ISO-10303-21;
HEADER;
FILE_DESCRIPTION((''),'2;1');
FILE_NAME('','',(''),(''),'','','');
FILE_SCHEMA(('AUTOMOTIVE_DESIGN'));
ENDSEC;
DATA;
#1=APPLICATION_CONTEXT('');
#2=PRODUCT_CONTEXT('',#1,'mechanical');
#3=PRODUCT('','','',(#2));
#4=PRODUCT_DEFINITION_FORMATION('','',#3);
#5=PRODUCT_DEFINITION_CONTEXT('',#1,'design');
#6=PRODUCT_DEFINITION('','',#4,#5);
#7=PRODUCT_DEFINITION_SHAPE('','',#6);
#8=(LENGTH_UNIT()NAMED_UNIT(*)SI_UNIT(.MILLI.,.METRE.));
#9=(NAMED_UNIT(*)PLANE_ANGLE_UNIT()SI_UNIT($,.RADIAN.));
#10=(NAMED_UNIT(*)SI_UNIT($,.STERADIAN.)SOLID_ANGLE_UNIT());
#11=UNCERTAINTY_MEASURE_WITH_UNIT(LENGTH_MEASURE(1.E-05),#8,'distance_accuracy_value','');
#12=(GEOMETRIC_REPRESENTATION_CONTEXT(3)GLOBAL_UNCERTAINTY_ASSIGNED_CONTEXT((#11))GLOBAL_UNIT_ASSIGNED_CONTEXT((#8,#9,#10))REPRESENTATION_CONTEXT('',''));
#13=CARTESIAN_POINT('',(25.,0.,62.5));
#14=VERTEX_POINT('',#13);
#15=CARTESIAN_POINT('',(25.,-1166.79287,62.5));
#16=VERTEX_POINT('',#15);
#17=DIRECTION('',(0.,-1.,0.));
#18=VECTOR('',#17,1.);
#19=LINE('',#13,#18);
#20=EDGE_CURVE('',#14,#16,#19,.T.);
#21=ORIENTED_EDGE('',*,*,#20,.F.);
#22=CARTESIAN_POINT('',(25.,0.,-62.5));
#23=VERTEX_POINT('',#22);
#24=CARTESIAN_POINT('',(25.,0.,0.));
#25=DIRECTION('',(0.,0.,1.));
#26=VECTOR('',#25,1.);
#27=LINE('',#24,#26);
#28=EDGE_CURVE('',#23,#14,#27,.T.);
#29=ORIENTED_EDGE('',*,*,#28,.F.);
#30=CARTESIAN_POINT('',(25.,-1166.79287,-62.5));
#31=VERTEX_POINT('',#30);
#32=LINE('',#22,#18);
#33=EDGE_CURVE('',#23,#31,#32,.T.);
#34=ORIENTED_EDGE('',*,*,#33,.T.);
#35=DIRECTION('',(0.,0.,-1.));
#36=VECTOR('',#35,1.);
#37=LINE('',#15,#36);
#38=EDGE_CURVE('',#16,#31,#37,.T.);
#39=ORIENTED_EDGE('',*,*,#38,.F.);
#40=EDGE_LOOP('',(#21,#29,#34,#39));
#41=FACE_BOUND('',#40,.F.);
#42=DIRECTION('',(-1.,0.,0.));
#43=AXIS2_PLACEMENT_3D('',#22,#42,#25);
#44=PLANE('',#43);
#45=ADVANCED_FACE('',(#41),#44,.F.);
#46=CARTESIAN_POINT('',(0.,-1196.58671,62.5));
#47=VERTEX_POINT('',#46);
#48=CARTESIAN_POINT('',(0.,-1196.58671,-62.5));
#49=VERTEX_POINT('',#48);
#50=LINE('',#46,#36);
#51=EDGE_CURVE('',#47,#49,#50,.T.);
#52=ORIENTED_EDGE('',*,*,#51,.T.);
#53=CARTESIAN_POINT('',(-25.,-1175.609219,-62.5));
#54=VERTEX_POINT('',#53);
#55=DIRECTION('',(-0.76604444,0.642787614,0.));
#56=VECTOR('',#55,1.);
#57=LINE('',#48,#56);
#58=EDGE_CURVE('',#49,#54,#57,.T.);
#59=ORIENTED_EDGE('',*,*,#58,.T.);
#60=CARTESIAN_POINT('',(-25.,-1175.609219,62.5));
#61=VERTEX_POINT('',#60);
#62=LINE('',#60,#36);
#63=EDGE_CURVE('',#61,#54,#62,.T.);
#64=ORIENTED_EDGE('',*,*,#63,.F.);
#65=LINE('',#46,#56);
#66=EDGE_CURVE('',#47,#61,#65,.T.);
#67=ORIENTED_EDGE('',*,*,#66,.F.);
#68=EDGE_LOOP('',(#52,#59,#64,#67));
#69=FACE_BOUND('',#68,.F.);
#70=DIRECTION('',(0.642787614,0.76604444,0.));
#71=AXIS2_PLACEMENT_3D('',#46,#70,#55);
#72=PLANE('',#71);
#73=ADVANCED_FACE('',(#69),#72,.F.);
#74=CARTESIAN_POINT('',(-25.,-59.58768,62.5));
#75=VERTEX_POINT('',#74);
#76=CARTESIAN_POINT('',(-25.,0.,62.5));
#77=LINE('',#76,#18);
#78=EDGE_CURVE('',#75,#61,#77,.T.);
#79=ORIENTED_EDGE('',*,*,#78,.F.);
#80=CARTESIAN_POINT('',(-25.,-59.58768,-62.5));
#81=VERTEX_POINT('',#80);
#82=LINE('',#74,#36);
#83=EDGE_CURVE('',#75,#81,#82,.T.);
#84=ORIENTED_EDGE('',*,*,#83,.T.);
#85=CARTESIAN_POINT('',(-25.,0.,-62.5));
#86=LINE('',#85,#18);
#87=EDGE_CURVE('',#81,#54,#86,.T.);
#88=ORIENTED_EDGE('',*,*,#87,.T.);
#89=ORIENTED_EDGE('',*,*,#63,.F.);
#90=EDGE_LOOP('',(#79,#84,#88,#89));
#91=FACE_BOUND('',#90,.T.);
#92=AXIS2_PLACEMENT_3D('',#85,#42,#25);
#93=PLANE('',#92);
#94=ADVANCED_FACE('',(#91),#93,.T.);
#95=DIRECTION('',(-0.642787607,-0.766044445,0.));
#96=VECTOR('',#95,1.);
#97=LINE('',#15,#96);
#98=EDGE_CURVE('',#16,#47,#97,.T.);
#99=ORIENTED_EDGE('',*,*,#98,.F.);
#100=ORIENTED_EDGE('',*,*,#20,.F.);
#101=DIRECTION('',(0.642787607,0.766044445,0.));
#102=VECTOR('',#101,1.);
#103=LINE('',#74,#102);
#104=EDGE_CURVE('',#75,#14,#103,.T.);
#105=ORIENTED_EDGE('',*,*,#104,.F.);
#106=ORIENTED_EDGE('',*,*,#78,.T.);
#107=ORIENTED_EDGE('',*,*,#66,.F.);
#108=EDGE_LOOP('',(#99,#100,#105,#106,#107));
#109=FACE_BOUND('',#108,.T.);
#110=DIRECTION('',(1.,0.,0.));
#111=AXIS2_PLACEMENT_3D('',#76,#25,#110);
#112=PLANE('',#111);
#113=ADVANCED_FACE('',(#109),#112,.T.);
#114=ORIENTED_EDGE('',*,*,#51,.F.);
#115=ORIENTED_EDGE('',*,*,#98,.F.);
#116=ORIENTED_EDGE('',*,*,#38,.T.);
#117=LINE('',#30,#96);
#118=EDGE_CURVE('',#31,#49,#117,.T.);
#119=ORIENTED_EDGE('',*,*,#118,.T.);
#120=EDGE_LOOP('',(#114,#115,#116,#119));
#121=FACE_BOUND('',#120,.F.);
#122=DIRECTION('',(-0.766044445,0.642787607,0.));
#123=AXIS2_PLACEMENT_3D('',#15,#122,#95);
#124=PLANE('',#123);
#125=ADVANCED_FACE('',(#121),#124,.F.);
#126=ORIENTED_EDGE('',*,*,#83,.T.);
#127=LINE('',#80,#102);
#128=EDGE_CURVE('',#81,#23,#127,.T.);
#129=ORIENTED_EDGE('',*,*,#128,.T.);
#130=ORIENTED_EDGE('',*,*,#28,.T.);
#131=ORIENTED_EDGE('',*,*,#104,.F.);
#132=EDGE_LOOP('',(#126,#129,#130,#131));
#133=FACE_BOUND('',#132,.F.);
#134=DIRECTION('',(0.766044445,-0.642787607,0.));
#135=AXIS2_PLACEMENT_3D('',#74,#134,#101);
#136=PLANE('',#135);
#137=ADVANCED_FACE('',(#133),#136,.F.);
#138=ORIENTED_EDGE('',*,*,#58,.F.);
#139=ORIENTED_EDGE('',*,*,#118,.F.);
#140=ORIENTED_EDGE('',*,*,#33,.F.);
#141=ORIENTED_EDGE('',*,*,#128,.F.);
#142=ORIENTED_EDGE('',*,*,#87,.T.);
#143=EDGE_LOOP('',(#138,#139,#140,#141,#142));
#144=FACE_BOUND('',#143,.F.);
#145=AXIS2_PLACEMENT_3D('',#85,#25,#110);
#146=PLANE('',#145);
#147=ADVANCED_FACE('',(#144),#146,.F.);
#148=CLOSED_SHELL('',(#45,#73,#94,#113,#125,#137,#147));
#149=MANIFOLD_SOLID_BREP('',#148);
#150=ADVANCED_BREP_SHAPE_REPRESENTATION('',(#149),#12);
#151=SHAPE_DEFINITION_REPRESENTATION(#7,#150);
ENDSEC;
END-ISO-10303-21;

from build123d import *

# Parameters (mm, degrees)
F0_W     = 50
F0_H     = 125
F1_DEPTH = 1200
F3_DEPTH = 125
F5_DEPTH = 125


with BuildPart() as f1:
    # F0 (on Front) → F1 (new body)
    with BuildSketch(Plane.XZ):
        Rectangle(F0_W, F0_H)
    extrude(amount=F1_DEPTH)

    # F2 (on face) → F3 (cut, through all)
    with BuildSketch(Plane.XY.offset(62.5)):
        Polygon((-25, -59.58768), (25, 0), (-25, 0), align=None)
    extrude(amount=-F3_DEPTH, mode=Mode.SUBTRACT)

    # F4 (on face) → F5 (cut, through all)
    with BuildSketch(Plane.XY.offset(62.5)):
        Polygon((0, -1196.58671), (-25, -1175.609219), (-25, -1200), (25, -1200), (25, -1166.79287), align=None)
    extrude(amount=-F5_DEPTH, mode=Mode.SUBTRACT)


solid = f1.part
